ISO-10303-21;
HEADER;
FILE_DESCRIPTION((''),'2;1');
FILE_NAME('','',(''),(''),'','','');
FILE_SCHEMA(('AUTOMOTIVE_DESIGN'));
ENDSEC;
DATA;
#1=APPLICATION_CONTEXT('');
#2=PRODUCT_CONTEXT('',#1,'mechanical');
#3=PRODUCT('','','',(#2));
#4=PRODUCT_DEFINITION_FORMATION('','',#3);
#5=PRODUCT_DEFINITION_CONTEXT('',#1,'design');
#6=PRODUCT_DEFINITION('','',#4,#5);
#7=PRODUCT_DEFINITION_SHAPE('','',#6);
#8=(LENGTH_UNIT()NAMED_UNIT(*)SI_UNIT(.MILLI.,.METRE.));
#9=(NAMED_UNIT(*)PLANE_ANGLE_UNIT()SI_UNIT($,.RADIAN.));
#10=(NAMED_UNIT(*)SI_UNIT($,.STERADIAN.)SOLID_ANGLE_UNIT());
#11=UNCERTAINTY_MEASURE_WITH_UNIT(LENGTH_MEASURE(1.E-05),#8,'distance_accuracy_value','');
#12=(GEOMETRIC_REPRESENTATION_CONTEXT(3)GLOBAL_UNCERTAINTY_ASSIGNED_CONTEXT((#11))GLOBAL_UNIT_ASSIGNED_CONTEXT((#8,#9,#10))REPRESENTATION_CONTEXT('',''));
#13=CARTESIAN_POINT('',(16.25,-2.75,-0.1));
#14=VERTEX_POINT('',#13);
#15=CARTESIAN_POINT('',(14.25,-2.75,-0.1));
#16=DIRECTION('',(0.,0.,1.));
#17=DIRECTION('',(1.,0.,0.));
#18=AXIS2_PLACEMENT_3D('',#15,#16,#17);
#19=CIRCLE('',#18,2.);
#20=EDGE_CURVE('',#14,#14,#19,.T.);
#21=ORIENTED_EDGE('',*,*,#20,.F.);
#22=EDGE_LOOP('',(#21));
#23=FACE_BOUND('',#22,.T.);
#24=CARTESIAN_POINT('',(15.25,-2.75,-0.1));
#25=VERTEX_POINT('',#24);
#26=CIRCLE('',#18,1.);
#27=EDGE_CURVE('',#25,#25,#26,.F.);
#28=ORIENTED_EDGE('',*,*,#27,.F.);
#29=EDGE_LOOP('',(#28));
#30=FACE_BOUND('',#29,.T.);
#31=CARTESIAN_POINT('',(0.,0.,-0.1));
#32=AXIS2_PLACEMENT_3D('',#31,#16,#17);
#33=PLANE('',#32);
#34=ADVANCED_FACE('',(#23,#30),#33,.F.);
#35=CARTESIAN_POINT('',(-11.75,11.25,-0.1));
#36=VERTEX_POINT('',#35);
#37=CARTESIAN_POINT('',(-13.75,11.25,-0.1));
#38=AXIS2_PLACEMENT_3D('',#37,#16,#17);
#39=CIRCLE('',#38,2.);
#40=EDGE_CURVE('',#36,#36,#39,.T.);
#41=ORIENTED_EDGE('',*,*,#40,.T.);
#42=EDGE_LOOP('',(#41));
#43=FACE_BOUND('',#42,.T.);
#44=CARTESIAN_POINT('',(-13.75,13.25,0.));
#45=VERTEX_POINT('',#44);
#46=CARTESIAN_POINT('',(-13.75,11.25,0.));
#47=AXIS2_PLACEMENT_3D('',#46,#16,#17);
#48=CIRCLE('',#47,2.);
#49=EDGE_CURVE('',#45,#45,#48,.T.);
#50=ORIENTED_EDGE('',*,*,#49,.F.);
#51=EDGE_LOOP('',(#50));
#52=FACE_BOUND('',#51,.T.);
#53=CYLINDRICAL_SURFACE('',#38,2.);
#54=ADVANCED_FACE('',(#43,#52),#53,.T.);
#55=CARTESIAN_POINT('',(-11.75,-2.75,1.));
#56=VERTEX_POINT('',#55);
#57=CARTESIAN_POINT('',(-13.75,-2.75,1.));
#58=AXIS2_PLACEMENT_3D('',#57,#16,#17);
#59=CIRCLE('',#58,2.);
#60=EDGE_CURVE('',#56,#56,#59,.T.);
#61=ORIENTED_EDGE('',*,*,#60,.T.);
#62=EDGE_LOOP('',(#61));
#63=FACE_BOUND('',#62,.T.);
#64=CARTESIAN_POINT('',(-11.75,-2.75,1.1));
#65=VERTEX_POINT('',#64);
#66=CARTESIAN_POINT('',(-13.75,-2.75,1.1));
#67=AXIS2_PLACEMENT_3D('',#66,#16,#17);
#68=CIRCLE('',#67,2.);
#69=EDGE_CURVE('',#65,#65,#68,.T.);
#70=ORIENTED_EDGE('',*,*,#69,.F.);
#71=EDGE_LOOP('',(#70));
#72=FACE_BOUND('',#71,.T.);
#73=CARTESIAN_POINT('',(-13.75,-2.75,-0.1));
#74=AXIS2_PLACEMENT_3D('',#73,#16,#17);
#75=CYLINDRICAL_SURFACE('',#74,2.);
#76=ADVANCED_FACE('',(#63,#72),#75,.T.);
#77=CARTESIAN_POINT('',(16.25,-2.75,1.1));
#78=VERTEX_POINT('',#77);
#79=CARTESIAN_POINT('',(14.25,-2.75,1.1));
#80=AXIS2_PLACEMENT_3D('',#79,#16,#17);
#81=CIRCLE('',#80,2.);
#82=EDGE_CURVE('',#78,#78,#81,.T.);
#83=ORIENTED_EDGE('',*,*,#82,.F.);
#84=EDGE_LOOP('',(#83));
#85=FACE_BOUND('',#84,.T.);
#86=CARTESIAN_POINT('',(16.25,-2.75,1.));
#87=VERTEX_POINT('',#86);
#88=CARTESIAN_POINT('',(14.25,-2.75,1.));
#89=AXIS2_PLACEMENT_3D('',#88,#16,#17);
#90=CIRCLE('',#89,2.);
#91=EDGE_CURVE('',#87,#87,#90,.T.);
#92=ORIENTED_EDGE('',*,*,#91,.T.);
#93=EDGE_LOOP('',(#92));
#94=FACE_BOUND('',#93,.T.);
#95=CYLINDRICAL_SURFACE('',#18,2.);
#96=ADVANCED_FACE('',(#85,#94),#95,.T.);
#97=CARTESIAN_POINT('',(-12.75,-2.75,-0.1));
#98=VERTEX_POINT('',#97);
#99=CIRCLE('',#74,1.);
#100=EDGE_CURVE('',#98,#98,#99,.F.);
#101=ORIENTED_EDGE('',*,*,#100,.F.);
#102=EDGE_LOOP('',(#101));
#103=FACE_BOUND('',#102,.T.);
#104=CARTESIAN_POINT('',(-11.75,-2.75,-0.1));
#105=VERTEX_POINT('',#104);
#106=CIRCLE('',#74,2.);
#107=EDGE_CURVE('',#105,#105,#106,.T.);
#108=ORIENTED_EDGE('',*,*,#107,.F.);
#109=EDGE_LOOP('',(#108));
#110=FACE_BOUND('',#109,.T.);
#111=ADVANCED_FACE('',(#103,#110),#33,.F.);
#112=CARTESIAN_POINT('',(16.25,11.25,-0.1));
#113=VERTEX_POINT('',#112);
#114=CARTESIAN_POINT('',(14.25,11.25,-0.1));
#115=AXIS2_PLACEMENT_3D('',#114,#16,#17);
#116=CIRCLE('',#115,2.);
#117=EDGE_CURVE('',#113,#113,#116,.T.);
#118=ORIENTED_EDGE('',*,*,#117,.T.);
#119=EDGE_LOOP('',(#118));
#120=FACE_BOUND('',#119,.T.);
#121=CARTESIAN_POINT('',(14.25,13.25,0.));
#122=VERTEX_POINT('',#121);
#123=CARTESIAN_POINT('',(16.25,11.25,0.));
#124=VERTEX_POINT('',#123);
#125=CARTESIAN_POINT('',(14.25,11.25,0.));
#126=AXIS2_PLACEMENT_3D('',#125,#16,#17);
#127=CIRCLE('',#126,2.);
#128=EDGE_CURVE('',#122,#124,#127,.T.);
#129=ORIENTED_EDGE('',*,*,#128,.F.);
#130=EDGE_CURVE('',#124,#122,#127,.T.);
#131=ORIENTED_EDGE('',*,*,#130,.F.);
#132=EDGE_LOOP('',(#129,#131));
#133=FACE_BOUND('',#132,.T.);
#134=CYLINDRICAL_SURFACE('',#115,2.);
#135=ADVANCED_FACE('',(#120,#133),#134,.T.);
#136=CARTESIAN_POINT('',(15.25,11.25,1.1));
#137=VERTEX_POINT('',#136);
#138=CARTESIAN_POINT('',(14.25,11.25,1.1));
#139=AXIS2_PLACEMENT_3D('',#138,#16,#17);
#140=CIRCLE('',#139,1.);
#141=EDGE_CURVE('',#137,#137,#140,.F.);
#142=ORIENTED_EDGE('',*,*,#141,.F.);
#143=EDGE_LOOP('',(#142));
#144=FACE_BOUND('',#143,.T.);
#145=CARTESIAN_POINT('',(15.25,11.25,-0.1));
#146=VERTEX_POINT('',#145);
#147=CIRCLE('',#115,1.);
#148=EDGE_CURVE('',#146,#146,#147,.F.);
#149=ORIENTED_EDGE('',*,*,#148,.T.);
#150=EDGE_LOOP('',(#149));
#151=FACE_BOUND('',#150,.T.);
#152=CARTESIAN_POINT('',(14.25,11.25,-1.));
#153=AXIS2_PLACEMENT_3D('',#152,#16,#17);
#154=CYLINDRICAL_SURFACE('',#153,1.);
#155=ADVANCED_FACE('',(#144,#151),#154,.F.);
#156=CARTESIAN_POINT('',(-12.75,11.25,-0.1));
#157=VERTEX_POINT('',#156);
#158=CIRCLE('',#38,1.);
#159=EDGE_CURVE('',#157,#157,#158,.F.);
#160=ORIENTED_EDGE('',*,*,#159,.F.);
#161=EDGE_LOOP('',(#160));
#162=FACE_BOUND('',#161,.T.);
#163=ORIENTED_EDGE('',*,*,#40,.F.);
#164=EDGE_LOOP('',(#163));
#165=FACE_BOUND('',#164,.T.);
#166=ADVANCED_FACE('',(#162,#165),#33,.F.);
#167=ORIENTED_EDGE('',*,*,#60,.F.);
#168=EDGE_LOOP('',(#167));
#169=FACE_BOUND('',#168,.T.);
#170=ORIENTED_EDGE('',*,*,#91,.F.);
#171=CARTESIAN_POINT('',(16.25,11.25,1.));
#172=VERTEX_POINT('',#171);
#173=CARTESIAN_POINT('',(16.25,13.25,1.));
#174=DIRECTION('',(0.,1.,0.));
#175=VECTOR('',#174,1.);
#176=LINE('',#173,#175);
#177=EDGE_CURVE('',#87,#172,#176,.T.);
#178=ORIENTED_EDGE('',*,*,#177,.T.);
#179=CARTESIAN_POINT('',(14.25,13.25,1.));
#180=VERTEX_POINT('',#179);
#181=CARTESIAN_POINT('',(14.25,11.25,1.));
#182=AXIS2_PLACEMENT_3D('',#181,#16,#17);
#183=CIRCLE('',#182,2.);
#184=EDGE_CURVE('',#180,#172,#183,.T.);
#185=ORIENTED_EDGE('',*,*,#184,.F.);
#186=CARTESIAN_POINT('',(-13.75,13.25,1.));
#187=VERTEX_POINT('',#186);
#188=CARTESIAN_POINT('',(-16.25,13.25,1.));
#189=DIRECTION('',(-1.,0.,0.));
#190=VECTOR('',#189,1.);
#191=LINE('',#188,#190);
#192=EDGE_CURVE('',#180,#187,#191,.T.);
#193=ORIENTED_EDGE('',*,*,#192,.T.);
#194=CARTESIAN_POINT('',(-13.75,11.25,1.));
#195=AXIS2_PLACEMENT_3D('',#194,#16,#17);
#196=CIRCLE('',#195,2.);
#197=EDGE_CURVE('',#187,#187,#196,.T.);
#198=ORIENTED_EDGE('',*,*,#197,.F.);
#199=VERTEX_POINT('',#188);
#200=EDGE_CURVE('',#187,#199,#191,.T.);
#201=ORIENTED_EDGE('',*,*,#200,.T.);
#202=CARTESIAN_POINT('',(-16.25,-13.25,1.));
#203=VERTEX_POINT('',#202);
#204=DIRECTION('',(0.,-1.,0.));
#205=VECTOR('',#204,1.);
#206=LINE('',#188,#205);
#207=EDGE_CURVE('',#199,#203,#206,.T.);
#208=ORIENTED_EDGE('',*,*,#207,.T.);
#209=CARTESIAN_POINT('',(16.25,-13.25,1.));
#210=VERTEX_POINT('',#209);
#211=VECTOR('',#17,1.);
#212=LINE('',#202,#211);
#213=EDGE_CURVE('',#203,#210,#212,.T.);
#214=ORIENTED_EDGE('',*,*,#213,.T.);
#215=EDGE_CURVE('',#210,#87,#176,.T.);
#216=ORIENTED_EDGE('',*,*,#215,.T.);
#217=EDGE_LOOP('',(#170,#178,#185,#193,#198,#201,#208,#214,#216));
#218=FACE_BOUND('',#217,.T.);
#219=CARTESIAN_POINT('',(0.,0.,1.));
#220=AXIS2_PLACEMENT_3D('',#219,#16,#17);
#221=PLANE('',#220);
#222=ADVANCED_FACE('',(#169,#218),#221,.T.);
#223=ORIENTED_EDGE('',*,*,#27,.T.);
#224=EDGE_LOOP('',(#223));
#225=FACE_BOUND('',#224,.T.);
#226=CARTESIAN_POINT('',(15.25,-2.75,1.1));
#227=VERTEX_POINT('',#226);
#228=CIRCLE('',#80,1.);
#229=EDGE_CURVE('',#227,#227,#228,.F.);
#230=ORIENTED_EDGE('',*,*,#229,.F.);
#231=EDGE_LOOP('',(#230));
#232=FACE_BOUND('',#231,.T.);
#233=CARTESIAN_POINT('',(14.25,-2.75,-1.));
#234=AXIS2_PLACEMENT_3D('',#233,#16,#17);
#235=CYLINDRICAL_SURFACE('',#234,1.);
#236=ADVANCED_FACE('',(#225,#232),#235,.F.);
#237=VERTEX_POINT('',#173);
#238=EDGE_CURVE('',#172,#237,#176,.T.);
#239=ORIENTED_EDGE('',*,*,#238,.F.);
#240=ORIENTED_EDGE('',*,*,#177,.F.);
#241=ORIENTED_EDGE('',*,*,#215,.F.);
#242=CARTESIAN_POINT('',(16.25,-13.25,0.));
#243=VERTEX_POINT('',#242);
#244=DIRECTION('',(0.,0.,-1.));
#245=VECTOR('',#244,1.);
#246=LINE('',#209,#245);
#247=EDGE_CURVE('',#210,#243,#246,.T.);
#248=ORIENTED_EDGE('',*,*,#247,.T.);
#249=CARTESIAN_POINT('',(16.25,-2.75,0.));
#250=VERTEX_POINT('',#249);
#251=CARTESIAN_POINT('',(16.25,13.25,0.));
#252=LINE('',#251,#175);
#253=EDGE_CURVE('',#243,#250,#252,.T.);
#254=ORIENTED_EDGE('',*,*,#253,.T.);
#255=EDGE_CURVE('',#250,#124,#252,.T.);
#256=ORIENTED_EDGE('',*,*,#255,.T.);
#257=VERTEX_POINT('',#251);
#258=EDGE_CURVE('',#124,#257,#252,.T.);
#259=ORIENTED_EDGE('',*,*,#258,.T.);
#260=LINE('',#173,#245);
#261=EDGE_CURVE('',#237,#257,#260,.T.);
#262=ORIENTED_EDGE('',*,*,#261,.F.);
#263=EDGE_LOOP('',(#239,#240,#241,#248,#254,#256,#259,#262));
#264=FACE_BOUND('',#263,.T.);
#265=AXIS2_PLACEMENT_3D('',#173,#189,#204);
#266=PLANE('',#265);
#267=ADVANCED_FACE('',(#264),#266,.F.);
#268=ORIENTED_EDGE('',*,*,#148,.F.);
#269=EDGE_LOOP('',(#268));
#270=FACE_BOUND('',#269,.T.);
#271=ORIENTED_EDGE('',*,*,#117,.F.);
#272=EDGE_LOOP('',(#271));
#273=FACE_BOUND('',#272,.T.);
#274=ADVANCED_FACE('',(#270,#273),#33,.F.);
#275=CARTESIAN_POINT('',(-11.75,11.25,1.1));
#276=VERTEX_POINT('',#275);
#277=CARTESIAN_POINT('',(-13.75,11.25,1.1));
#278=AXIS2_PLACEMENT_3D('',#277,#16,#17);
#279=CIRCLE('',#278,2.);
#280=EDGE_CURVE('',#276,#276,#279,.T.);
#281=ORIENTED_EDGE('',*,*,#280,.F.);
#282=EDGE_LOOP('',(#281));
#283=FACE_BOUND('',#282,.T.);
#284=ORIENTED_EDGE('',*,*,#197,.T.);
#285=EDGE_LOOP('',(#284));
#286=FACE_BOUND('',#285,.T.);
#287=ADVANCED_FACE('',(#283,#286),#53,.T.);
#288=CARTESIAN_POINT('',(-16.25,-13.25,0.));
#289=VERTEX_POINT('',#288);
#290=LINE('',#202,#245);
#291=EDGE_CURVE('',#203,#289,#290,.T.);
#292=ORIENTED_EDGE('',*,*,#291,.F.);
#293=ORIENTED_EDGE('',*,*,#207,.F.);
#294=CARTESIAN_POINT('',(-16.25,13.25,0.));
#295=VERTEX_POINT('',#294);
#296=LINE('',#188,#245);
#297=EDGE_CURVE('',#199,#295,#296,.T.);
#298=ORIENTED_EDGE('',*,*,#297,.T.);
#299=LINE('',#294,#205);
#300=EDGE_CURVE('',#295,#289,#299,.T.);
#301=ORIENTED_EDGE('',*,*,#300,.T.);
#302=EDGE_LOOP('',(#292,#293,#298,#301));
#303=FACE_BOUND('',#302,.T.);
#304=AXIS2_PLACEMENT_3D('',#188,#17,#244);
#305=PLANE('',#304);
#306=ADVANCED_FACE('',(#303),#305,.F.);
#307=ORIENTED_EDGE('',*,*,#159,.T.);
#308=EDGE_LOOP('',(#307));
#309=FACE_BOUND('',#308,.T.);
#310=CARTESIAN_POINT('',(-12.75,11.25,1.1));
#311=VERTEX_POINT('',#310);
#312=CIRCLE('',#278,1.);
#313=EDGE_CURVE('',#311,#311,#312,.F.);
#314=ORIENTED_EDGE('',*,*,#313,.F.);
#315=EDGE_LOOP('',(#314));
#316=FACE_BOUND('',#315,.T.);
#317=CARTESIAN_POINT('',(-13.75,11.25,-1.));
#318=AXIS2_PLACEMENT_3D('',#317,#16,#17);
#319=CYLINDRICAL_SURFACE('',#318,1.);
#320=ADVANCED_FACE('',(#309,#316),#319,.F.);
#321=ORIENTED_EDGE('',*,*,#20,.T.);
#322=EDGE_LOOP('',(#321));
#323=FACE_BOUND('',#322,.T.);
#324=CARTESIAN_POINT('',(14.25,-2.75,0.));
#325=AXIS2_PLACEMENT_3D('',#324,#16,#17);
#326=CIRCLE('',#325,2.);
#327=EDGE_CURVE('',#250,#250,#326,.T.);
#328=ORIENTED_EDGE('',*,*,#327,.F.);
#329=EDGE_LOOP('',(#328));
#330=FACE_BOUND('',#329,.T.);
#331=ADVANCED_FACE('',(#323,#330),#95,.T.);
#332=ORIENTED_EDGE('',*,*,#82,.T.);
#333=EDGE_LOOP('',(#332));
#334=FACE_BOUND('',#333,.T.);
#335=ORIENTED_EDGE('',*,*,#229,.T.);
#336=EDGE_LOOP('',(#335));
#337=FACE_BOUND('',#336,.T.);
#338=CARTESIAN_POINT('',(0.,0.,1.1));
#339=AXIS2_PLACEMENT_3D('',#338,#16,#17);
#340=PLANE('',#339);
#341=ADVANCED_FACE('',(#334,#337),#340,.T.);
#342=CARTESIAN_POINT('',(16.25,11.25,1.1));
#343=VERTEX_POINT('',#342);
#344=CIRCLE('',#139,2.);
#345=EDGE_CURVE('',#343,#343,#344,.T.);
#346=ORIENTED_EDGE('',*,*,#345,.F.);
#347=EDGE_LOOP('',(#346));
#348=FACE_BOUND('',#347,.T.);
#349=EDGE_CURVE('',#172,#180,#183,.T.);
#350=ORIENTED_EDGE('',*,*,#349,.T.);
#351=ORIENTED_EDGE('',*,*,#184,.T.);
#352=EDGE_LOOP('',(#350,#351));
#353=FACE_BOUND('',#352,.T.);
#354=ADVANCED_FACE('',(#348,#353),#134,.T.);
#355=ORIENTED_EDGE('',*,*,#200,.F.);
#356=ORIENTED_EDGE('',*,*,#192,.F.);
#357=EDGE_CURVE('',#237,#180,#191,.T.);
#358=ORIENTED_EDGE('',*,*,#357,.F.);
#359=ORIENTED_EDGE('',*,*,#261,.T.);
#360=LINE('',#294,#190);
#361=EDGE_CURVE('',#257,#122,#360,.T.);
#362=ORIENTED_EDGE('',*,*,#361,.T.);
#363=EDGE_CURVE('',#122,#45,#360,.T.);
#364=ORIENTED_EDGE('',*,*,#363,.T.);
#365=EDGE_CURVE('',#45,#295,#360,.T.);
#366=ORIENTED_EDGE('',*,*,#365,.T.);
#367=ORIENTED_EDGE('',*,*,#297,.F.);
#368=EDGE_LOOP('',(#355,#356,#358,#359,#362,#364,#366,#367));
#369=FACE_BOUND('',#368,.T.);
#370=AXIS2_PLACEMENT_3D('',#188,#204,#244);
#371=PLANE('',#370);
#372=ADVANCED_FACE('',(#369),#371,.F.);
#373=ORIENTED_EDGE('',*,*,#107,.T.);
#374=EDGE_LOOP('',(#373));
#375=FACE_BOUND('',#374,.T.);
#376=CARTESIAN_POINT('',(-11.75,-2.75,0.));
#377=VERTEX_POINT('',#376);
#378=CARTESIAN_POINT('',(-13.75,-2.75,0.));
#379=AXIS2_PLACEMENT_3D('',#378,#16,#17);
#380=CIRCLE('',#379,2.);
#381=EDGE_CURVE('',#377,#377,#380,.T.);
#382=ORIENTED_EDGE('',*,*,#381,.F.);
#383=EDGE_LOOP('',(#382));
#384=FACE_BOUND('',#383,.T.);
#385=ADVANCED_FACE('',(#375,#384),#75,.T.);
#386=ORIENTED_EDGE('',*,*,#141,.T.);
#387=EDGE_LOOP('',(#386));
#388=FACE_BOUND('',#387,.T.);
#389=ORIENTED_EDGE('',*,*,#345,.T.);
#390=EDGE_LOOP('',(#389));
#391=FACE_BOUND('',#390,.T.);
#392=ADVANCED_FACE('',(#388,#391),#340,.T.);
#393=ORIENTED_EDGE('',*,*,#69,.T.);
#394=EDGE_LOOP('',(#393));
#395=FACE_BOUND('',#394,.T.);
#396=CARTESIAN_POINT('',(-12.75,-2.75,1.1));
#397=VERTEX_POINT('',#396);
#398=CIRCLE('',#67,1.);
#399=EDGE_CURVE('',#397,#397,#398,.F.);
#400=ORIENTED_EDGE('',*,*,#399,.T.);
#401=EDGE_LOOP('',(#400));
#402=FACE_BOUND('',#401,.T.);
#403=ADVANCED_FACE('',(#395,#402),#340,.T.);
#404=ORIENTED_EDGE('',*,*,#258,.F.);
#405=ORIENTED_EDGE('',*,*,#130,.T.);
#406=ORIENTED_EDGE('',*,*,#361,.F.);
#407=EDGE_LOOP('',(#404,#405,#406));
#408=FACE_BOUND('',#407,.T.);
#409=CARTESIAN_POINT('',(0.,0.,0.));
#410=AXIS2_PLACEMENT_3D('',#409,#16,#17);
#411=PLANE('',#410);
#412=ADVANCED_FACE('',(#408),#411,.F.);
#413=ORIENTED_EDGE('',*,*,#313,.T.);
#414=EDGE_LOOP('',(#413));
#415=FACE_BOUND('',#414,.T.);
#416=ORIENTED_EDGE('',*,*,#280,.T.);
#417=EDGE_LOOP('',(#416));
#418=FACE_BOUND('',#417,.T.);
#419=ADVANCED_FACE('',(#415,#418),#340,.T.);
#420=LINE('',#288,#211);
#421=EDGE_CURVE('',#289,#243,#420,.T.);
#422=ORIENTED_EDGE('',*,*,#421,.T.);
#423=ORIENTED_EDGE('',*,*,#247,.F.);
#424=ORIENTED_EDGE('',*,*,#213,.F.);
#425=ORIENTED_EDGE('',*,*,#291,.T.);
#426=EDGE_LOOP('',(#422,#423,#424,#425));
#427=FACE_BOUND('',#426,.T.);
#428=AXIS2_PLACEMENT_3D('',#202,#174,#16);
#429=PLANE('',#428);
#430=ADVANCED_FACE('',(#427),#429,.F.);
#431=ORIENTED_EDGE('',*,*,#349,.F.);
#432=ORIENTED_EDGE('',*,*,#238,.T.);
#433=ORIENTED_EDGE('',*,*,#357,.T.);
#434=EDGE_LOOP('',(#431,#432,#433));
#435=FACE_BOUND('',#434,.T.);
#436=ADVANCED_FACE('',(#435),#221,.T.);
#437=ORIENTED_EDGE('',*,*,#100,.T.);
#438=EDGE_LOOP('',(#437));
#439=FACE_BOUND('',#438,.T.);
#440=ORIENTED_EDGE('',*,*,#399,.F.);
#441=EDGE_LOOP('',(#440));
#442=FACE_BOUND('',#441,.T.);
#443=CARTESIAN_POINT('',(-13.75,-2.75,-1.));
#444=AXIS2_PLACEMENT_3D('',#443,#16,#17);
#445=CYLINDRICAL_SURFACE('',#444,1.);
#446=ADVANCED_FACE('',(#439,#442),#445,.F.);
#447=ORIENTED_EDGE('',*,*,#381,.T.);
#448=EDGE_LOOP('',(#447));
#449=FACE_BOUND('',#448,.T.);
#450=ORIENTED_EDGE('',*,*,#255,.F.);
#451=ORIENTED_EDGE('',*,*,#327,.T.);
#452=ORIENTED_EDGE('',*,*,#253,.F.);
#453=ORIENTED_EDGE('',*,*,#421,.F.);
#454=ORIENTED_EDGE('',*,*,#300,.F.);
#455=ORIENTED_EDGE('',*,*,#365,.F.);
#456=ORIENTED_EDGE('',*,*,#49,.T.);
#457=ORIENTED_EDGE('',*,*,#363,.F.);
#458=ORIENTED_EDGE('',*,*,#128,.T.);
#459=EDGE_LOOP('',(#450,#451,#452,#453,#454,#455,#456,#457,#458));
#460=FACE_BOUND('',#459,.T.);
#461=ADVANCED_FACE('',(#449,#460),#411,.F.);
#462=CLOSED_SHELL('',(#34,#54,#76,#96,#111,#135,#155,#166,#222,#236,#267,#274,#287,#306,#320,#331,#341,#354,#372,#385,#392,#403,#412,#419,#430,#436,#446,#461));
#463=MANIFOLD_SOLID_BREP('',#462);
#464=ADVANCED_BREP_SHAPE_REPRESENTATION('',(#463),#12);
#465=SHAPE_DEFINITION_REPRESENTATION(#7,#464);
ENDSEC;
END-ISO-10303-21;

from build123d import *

# Parameters (mm, degrees)
SKETCH1_W                = 32.5
SKETCH1_H                = 26.5
BOSS_EXTRUDE1_DEPTH      = 1
SKETCH2_R                = 1
CUT_EXTRUDE1_DEPTH       = 2
BOSS_EXTRUDE3_DEPTH      = 0.1
BOSS_EXTRUDE3_DEPTH_BACK = 1.1
SKETCH3_R                = 2
SKETCH3_R_2              = 1


with BuildPart() as part:
    # Sketch1 → Boss-Extrude1 (new body)
    with BuildSketch(Plane.XY):
        Rectangle(SKETCH1_W, SKETCH1_H)
    extrude(amount=BOSS_EXTRUDE1_DEPTH)

    # Sketch2 → Cut-Extrude1 (cut)
    with BuildSketch(Plane.XY.offset(1)):
        with Locations((-13.75, 11.25)):
            Circle(SKETCH2_R)
        with Locations((-13.75, -2.75)):
            Circle(SKETCH2_R)
        with Locations((14.25, -2.75)):
            Circle(SKETCH2_R)
        with Locations((14.25, 11.25)):
            Circle(SKETCH2_R)
    extrude(amount=-CUT_EXTRUDE1_DEPTH, mode=Mode.SUBTRACT)

    # Sketch3 → Boss-Extrude3 (add, two sides: drawn at the far end of the back side and taken through both)
    # profile 1 of 4: a face of its own
    with BuildSketch(Plane.XY.offset(1).offset(-BOSS_EXTRUDE3_DEPTH_BACK)):
        with Locations((-13.75, 11.25)):
            Circle(SKETCH3_R)
        with Locations((-13.75, 11.25)):
            Circle(SKETCH3_R_2, mode=Mode.SUBTRACT)
    # profile 2 of 4: a face of its own
    with BuildSketch(Plane.XY.offset(1).offset(-BOSS_EXTRUDE3_DEPTH_BACK)):
        with Locations((14.25, 11.25)):
            Circle(SKETCH3_R)
        with Locations((14.25, 11.25)):
            Circle(SKETCH3_R_2, mode=Mode.SUBTRACT)
    # profile 3 of 4: a face of its own
    with BuildSketch(Plane.XY.offset(1).offset(-BOSS_EXTRUDE3_DEPTH_BACK)):
        with Locations((14.25, -2.75)):
            Circle(SKETCH3_R)
        with Locations((14.25, -2.75)):
            Circle(SKETCH3_R_2, mode=Mode.SUBTRACT)
    # profile 4 of 4: a face of its own
    with BuildSketch(Plane.XY.offset(1).offset(-BOSS_EXTRUDE3_DEPTH_BACK)):
        with Locations((-13.75, -2.75)):
            Circle(SKETCH3_R)
        with Locations((-13.75, -2.75)):
            Circle(SKETCH3_R_2, mode=Mode.SUBTRACT)
    extrude(amount=BOSS_EXTRUDE3_DEPTH + BOSS_EXTRUDE3_DEPTH_BACK)


solid = part.part
